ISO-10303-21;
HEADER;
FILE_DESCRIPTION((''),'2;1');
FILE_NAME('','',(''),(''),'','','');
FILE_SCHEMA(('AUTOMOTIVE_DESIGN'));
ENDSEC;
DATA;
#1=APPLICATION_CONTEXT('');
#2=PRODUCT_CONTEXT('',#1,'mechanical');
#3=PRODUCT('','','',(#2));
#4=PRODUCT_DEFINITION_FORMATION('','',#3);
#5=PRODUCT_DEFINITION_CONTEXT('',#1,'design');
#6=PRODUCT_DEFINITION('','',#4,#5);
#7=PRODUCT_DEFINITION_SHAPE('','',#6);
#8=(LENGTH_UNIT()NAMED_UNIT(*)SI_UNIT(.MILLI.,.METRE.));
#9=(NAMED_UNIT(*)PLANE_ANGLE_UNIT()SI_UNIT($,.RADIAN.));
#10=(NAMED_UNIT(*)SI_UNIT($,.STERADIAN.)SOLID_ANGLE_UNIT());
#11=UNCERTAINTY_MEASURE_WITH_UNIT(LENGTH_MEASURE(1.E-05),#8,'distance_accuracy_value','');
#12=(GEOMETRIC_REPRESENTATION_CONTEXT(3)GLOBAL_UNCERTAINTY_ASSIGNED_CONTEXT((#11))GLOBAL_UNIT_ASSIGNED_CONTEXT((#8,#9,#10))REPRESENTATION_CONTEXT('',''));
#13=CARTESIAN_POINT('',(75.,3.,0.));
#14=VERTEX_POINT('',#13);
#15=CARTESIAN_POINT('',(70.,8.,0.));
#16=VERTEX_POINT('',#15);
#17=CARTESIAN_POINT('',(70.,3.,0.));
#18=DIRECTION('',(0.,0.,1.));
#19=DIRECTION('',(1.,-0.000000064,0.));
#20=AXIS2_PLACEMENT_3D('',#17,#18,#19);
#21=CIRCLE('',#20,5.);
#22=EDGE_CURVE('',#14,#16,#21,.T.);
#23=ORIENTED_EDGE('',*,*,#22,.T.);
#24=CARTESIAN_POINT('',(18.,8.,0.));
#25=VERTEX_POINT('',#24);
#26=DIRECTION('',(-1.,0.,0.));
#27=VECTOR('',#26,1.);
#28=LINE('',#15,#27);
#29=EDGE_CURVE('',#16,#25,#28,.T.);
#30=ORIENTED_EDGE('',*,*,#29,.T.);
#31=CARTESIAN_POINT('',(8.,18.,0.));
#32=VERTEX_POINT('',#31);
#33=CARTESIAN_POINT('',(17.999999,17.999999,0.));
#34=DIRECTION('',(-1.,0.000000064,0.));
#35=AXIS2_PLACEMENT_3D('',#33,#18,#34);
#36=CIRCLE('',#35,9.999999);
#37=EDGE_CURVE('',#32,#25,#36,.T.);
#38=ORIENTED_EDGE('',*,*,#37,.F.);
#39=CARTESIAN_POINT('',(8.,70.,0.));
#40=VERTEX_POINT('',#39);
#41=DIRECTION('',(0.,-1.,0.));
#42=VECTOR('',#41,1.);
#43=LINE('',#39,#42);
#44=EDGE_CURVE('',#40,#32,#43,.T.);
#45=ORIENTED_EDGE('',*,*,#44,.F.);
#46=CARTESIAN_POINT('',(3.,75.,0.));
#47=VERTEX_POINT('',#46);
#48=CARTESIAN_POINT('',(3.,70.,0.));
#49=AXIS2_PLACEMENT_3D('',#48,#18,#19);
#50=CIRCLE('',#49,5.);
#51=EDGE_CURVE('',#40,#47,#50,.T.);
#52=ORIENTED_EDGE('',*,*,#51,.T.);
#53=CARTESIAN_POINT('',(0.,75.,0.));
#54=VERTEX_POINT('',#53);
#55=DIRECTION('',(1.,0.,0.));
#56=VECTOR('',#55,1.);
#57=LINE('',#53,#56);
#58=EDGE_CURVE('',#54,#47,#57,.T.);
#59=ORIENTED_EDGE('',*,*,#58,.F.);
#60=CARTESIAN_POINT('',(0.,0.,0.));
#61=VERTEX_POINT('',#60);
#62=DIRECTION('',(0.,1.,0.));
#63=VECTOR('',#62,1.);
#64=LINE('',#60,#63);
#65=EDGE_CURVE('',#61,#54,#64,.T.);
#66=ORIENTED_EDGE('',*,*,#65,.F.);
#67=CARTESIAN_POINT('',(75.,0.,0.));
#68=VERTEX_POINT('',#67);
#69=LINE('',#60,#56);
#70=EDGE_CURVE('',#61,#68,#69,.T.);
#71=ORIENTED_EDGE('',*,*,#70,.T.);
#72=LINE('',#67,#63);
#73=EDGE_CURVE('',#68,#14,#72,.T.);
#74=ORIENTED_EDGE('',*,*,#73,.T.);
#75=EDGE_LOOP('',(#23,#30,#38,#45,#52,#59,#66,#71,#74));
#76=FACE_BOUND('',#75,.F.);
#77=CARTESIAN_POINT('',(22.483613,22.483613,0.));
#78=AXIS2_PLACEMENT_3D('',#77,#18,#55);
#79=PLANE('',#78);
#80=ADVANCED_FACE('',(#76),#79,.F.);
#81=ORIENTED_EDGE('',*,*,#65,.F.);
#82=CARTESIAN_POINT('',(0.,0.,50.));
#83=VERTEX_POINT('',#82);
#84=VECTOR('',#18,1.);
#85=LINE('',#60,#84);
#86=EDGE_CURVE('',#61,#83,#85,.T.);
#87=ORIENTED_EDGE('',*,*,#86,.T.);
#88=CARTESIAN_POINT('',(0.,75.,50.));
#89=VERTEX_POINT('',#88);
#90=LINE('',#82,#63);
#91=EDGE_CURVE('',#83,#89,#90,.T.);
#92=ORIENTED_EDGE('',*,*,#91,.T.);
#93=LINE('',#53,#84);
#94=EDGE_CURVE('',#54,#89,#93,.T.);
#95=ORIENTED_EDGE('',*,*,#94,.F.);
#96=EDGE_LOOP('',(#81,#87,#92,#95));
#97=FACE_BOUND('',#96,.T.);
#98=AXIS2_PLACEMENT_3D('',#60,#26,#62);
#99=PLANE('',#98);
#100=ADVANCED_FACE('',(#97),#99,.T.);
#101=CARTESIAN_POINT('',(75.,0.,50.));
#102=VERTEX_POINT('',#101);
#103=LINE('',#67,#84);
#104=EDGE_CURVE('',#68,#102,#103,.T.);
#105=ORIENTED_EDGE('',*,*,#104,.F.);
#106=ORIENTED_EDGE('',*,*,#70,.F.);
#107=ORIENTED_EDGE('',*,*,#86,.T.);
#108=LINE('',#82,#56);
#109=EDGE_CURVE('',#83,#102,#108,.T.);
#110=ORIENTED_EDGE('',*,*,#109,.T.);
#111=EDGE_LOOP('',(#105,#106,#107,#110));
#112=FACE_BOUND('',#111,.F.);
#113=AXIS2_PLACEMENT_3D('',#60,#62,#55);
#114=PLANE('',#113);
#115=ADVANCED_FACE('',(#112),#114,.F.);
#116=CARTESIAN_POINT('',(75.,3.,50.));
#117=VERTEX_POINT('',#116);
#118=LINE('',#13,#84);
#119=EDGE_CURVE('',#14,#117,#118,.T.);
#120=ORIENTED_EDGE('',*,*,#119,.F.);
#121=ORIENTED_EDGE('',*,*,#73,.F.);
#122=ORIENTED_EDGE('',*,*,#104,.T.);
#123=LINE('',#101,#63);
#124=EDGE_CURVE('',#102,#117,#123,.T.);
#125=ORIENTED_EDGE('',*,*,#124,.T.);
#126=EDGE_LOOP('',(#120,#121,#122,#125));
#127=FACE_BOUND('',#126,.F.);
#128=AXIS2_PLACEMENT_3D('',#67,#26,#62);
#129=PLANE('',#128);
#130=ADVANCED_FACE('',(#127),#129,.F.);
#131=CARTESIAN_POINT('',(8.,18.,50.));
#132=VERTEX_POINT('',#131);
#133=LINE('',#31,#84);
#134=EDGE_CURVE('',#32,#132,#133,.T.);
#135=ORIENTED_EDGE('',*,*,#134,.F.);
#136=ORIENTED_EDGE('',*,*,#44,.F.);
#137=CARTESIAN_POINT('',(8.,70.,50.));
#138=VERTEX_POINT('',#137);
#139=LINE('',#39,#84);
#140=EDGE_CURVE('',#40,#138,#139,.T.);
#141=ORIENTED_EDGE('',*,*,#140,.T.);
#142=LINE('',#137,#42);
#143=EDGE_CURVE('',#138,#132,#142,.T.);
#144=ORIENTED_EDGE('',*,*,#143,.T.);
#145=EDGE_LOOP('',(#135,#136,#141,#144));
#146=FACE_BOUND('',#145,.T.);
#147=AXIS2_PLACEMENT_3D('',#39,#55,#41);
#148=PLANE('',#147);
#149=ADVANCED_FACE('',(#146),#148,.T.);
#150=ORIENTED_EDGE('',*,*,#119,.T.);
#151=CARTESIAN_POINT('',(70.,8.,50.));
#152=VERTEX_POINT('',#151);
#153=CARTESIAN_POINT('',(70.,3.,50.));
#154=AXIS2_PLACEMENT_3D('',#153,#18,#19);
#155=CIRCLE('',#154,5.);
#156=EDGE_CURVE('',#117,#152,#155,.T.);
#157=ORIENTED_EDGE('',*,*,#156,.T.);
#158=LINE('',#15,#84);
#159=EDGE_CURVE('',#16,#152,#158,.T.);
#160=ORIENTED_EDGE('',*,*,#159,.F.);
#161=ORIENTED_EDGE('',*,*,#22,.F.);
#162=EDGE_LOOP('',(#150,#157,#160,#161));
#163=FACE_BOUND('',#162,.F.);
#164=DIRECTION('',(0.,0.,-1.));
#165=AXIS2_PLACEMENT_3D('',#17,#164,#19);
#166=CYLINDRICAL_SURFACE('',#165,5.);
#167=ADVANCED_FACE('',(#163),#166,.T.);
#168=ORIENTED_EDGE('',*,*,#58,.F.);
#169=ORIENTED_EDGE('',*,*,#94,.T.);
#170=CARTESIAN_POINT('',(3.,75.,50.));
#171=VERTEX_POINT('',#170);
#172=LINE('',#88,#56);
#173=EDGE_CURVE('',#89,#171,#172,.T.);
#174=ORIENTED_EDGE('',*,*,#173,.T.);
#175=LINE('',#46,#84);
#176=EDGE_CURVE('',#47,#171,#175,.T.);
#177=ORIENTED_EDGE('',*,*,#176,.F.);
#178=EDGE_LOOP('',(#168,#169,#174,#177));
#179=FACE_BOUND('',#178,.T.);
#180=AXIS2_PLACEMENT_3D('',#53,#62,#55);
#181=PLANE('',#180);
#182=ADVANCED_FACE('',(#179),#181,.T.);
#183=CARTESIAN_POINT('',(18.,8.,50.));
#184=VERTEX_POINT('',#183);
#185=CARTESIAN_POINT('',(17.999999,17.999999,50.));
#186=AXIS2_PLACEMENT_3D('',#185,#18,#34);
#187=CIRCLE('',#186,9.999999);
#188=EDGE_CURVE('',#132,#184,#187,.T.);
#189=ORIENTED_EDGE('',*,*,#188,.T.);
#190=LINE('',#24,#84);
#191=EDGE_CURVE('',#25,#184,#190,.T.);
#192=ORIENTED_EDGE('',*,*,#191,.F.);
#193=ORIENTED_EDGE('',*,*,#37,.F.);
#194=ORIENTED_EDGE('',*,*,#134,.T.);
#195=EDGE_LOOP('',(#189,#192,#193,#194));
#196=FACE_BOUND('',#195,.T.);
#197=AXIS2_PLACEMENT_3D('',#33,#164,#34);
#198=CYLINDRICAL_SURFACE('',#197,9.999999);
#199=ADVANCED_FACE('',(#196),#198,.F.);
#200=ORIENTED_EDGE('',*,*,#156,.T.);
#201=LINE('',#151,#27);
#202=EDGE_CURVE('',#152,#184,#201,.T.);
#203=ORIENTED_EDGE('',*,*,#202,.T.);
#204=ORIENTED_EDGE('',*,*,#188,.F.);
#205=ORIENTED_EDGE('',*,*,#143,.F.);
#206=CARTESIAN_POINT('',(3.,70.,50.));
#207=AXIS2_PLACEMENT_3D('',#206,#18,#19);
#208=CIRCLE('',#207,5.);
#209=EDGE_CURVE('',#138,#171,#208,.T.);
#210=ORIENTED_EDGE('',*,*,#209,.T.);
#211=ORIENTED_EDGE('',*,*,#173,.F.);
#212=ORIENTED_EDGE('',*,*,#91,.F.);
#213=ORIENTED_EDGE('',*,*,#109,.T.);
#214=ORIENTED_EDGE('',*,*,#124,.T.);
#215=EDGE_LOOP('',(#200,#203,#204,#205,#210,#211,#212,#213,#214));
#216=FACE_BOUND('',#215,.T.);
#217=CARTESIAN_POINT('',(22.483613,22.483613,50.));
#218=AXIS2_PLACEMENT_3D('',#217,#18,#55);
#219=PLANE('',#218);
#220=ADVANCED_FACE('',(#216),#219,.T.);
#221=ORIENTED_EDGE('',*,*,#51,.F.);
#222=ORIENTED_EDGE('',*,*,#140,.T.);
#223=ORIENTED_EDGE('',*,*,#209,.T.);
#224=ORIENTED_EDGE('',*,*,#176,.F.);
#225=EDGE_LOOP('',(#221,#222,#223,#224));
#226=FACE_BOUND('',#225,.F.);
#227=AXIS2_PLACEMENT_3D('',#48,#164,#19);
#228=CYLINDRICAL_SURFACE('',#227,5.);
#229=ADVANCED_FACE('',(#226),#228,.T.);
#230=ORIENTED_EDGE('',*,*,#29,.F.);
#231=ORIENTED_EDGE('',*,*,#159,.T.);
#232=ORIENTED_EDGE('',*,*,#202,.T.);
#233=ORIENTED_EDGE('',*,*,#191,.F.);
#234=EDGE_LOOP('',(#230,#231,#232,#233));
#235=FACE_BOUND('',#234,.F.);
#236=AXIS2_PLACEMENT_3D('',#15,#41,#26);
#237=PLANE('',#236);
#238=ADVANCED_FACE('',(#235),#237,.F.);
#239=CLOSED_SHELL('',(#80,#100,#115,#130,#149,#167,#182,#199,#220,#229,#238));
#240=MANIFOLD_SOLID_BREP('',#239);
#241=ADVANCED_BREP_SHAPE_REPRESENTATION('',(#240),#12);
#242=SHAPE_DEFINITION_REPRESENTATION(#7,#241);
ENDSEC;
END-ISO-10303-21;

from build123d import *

# Parameters (mm, degrees)
EXTRUDE_DEPTH = 50


with BuildPart() as part:
    # Sketch → Extrude (new body)
    with BuildSketch(Plane.XY):
        with BuildLine():
            Line((0, 0), (75, 0))
            Line((75, 0), (75, 3))
            ThreePointArc((75, 3), (73.535534, 6.535534), (70, 8))
            Line((70, 8), (18, 8))
            ThreePointArc((8, 18), (10.928932, 10.928932), (18, 8))
            Line((8, 70), (8, 18))
            ThreePointArc((8, 70), (6.535534, 73.535534), (3, 75))
            Line((0, 75), (3, 75))
            Line((0, 0), (0, 75))
        make_face()
    extrude(amount=EXTRUDE_DEPTH)


solid = part.part
